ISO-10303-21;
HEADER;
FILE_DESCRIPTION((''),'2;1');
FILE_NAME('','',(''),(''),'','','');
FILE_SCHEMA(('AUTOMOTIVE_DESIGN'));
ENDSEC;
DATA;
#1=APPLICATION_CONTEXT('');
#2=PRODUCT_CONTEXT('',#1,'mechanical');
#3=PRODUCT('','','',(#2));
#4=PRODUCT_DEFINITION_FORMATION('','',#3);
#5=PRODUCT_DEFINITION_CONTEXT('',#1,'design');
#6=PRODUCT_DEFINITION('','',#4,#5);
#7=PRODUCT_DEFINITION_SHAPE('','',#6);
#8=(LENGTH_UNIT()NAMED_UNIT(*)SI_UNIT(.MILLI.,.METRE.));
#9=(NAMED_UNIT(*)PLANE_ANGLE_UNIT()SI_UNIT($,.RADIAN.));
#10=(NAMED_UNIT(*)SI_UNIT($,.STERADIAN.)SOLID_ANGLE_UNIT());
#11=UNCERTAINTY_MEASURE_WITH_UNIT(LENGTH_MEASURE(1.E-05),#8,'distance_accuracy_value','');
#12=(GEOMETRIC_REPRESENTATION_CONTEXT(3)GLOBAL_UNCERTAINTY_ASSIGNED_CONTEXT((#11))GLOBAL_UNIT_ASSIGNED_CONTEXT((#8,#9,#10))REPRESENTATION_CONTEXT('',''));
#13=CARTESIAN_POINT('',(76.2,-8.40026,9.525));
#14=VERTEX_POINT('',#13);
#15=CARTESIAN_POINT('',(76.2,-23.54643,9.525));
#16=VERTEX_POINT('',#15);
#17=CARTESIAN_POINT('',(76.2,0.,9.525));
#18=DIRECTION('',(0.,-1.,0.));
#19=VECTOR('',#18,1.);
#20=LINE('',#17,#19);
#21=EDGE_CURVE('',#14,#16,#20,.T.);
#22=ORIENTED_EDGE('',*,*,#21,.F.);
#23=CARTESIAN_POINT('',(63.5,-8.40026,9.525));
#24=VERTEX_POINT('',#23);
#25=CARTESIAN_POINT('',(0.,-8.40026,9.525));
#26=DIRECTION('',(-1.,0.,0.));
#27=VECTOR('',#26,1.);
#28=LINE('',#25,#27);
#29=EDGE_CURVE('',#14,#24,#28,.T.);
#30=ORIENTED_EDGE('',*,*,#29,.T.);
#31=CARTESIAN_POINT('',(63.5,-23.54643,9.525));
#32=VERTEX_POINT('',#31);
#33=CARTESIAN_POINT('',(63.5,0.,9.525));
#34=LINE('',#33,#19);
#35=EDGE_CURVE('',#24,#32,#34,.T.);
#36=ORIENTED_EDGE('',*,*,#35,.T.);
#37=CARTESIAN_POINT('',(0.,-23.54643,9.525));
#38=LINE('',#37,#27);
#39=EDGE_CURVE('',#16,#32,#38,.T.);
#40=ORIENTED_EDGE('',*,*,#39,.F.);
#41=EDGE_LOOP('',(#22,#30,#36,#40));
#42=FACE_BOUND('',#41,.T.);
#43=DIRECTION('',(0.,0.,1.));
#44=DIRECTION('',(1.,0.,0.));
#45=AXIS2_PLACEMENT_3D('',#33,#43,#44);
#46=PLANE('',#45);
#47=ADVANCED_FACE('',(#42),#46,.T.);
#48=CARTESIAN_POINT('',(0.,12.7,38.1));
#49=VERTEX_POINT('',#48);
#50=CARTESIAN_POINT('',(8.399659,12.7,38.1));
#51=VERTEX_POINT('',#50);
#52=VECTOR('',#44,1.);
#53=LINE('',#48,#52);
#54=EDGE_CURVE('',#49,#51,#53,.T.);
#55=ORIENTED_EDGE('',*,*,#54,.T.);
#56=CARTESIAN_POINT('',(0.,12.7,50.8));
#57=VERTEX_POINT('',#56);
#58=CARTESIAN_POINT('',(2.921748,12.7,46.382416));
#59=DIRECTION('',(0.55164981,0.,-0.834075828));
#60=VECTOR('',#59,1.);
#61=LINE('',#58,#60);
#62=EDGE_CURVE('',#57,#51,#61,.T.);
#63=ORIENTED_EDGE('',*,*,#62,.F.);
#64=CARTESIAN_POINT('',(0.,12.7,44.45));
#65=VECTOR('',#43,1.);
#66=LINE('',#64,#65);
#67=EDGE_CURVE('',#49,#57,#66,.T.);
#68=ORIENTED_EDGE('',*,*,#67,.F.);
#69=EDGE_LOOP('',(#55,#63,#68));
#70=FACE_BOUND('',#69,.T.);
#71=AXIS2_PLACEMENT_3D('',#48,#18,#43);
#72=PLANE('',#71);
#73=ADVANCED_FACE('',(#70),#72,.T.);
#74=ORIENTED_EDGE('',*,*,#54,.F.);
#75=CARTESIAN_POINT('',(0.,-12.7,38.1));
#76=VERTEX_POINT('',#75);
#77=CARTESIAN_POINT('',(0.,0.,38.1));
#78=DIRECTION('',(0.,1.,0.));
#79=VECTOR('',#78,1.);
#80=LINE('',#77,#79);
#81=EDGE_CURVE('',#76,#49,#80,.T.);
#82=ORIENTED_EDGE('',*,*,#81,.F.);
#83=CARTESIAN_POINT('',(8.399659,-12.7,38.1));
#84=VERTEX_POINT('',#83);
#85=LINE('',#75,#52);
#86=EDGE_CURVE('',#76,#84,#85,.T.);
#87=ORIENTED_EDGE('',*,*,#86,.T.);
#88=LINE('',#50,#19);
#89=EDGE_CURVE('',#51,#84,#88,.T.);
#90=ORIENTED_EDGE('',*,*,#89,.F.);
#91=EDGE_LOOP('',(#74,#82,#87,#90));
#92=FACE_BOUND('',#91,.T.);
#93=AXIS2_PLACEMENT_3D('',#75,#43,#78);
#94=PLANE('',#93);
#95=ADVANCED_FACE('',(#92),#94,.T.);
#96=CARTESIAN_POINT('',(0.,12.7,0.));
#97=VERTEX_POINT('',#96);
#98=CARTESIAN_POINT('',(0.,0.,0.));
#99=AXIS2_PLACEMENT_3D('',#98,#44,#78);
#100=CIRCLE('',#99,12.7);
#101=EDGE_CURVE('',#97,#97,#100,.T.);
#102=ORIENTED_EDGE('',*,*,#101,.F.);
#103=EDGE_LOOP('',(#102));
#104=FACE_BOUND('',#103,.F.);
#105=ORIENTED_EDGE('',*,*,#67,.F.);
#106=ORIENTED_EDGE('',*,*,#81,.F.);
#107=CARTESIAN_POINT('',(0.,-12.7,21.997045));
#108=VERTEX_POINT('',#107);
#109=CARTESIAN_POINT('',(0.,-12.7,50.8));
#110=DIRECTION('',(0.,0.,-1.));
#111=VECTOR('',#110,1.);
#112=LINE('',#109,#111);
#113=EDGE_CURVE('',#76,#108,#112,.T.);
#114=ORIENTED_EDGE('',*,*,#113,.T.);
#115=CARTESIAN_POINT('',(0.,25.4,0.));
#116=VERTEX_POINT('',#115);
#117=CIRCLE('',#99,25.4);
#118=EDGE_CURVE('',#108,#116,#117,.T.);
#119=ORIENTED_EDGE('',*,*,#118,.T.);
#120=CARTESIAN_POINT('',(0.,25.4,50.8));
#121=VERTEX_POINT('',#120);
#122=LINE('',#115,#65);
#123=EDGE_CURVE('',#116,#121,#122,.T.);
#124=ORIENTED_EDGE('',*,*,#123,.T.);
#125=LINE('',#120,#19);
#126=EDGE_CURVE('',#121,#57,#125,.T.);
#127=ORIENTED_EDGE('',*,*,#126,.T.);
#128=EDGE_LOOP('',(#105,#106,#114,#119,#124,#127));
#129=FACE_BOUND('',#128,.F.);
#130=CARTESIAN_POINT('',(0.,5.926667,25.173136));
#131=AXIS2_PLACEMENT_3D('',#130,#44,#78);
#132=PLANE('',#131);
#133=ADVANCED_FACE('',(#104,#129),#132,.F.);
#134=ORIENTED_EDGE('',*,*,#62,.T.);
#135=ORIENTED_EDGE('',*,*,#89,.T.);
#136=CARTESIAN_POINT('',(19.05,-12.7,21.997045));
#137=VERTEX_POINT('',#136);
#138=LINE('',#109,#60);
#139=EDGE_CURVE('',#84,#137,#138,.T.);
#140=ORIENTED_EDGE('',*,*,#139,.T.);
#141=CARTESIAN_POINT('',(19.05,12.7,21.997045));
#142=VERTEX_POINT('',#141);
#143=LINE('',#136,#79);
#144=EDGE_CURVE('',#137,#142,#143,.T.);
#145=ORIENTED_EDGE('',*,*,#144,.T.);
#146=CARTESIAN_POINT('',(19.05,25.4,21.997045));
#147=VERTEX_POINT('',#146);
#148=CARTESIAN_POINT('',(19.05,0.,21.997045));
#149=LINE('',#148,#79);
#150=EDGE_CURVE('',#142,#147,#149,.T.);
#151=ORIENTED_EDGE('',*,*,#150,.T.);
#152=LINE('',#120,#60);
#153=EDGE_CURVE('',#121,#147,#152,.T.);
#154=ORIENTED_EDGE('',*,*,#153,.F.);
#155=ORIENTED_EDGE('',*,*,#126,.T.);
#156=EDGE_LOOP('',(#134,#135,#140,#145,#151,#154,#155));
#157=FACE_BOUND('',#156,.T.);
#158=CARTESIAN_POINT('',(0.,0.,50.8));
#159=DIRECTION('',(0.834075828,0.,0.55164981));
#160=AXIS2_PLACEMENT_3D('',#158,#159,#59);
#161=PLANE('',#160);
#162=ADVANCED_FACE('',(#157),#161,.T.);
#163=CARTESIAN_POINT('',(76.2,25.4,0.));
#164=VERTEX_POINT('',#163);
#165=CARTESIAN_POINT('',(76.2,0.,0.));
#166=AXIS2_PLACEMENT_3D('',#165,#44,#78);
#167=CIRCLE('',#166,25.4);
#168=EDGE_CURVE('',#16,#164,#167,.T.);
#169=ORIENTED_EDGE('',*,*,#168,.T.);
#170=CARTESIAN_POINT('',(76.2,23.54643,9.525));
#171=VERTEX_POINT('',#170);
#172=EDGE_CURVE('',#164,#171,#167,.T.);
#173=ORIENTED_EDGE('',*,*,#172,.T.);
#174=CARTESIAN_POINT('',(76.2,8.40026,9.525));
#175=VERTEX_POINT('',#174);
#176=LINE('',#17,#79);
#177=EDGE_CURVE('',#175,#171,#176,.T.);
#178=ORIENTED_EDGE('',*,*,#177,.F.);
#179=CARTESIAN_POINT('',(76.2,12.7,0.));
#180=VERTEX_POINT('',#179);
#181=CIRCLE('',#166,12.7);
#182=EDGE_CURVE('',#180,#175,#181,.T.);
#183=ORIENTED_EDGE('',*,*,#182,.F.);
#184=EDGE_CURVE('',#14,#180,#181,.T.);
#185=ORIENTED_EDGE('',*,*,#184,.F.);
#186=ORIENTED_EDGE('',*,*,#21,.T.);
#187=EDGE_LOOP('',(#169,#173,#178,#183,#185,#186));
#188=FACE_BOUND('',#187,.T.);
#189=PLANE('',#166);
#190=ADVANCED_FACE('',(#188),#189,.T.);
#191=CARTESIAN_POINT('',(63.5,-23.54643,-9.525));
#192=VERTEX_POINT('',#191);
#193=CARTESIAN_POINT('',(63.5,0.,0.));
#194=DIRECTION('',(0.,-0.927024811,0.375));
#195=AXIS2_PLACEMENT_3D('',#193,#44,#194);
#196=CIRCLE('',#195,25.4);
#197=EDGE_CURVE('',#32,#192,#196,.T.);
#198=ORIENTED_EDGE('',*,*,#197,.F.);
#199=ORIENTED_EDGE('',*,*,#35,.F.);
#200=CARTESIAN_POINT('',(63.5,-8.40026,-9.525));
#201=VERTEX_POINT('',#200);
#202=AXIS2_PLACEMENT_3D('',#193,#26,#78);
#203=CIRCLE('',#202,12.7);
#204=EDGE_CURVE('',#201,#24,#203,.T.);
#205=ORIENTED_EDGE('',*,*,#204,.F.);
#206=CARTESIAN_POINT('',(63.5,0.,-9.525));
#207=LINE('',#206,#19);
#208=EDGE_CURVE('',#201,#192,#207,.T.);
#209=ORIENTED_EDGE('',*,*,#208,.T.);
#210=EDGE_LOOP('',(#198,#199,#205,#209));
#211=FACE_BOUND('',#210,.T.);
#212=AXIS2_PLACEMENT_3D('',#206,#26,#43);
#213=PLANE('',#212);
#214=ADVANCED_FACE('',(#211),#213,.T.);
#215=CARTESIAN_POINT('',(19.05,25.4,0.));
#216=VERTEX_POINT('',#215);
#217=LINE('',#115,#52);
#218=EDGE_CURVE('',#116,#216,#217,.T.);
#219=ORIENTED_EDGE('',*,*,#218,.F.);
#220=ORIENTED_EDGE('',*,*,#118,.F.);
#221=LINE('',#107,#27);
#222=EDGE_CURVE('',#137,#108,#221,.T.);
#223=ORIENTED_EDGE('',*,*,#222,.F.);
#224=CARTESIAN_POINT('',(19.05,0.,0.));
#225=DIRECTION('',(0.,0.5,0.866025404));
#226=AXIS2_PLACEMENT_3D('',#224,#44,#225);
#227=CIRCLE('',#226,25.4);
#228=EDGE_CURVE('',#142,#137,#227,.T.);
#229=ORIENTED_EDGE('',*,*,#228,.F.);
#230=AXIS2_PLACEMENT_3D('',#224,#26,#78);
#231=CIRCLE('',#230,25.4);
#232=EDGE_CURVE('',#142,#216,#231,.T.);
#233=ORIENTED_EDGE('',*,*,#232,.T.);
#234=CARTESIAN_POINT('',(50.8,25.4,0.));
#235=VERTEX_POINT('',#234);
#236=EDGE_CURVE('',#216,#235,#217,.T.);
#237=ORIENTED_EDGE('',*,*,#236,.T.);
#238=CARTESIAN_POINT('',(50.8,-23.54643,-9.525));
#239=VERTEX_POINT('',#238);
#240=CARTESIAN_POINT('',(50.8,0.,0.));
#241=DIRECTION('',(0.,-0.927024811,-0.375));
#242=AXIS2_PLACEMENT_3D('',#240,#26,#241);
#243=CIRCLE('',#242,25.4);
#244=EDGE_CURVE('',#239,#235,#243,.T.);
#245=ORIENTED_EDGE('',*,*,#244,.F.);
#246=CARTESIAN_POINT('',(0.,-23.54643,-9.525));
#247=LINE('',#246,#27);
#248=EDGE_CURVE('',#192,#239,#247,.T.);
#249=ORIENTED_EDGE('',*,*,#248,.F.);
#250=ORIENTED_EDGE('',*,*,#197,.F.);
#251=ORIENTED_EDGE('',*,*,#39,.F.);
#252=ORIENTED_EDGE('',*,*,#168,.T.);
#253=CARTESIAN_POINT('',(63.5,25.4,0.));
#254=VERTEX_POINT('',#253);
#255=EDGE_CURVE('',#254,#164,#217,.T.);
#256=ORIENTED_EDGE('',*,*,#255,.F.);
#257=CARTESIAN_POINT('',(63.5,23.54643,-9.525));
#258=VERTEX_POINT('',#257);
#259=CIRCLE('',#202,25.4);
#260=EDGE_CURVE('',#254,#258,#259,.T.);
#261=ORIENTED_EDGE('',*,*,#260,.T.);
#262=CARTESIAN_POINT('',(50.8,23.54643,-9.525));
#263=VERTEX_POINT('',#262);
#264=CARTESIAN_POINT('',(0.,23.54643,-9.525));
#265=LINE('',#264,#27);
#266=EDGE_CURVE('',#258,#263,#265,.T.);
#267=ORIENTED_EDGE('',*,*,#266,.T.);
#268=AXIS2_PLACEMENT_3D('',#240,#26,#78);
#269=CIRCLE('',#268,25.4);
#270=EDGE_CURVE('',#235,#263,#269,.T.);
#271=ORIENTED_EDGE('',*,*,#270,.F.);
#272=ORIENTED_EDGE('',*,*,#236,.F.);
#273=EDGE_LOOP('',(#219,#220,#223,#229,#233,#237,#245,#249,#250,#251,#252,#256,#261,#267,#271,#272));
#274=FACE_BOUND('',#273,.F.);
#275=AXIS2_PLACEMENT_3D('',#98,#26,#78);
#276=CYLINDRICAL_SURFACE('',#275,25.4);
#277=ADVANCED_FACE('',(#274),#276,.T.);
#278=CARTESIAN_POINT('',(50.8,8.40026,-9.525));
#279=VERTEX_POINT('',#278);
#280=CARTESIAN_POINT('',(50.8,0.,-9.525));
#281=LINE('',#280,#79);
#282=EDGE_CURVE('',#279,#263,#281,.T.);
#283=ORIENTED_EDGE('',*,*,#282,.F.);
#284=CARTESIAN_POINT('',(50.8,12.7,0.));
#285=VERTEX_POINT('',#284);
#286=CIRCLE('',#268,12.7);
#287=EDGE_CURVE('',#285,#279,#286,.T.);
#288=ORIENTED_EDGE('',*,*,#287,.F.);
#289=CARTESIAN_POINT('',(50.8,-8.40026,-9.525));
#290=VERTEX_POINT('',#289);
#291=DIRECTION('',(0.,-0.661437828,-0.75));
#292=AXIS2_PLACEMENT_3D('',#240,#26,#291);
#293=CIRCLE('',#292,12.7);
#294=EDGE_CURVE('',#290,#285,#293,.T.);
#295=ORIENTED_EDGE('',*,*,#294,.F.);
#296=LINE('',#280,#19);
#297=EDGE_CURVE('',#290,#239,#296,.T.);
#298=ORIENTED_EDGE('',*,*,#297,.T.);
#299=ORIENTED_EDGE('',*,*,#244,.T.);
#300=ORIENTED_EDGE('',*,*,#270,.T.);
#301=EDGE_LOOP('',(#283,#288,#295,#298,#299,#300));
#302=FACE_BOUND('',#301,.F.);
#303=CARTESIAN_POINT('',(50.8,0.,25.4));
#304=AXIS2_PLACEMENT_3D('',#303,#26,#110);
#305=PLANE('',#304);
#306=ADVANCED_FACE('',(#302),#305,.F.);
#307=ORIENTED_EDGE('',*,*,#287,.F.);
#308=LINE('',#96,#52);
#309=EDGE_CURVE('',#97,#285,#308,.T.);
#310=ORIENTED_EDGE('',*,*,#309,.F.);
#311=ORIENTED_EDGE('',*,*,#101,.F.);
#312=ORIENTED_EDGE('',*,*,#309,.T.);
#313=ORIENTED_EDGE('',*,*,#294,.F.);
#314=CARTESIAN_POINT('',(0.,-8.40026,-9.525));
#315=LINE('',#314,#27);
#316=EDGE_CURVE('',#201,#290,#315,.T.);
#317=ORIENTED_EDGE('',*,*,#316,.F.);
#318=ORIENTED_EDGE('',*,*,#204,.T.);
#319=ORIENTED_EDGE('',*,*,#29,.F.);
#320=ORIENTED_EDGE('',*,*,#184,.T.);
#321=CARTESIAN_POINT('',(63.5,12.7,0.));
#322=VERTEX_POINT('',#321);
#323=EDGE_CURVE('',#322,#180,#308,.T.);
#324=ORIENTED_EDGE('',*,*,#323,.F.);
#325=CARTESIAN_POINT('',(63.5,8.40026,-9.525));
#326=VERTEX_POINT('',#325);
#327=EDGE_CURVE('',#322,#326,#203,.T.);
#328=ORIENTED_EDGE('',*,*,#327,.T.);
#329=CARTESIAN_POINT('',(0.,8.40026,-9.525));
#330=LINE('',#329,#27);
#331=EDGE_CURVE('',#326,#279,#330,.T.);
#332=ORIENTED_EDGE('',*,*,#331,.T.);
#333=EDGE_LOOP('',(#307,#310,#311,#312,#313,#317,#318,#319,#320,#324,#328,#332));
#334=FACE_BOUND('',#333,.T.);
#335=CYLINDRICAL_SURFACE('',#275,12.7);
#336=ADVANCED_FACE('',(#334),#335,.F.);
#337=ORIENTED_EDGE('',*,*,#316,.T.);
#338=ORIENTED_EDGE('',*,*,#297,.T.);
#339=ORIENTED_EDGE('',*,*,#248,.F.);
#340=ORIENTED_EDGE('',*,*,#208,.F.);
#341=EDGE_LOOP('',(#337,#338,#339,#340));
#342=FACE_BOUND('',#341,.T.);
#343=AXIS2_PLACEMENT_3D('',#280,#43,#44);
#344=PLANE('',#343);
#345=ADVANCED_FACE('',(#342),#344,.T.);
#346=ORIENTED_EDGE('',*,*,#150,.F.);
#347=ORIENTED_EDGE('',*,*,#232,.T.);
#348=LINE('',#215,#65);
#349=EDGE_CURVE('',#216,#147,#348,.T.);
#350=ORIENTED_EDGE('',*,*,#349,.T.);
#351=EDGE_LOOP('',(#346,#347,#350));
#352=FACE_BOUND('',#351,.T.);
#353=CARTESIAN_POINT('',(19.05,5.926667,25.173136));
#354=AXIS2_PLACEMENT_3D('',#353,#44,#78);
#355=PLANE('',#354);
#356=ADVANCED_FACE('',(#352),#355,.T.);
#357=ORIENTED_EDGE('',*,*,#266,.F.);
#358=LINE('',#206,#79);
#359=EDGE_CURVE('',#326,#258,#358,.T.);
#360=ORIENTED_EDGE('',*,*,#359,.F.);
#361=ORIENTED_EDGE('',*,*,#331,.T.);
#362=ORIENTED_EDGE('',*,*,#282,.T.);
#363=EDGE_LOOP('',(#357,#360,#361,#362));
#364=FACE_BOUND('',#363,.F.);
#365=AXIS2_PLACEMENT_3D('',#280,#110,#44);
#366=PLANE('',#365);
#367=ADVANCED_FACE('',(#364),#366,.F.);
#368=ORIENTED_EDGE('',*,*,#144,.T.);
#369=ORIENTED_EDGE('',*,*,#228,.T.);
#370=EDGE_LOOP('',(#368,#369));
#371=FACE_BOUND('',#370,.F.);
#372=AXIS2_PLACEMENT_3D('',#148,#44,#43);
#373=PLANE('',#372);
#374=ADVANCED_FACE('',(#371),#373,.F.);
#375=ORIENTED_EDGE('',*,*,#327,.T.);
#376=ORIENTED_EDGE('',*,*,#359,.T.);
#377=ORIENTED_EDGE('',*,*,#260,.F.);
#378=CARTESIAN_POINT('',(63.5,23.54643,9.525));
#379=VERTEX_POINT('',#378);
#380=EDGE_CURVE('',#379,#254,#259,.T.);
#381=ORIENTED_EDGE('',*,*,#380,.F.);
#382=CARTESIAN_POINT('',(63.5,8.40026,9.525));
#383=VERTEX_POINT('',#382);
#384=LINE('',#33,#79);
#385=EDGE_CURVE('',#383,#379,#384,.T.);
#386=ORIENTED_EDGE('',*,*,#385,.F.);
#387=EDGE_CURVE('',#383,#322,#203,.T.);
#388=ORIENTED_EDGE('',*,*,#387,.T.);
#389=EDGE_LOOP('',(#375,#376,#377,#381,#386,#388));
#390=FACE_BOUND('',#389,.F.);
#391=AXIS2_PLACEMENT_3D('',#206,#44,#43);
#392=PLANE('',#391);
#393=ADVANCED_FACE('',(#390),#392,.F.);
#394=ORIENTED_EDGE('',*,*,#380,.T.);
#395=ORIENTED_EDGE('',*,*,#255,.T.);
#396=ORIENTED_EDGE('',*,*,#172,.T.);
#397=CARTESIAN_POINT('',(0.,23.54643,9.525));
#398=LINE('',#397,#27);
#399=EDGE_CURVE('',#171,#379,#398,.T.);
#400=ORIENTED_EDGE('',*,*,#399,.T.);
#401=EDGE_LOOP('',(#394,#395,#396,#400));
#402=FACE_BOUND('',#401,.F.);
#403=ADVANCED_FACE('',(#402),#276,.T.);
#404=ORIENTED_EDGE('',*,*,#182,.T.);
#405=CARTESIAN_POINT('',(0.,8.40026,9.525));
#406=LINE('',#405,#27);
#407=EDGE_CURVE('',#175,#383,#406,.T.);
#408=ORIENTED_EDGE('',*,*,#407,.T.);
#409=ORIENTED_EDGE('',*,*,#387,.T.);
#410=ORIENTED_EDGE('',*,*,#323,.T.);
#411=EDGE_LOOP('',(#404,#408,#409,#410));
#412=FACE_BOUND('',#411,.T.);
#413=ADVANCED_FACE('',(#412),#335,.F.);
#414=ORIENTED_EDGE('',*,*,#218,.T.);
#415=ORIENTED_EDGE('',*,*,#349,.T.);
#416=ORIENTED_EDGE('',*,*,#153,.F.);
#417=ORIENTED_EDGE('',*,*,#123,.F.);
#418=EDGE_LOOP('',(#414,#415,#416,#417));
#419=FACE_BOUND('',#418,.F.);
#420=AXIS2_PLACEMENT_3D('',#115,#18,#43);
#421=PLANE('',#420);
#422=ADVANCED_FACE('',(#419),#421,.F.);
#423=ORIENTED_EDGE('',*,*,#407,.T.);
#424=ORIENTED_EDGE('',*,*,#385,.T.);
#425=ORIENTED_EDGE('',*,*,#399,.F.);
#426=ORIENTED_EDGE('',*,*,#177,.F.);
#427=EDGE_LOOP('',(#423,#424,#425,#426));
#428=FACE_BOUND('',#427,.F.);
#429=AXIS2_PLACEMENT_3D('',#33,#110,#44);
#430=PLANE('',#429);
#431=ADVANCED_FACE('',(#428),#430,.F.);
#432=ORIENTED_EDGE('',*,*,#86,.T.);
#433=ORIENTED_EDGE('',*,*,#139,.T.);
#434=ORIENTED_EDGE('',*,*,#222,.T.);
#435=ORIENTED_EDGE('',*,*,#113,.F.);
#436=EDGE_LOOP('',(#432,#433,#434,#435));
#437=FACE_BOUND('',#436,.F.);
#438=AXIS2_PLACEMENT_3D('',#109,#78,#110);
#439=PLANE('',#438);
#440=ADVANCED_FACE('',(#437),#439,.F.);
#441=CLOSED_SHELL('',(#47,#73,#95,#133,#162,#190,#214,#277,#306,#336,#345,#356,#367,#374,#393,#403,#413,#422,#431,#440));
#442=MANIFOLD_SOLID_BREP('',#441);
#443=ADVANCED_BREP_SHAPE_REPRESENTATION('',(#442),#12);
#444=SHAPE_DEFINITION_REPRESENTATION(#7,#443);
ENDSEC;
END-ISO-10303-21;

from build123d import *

# Parameters (mm, degrees)
F0_R          = 25.4
F0_R_2        = 12.7
F1_DEPTH      = 76.2
F3_DEPTH      = 25.4
F3_DEPTH_BACK = 25.4
F5_DEPTH      = 19.05
F6_W          = 25.4
F6_H          = 12.7
F7_DEPTH      = 25.4
F9_DEPTH      = 25.401
F9_DEPTH_BACK = 25.4


with BuildPart() as f1:
    # F0 (on Right) → F1 (new body)
    with BuildSketch(Plane.YZ):
        Circle(F0_R)
        Circle(F0_R_2, mode=Mode.SUBTRACT)
    extrude(amount=F1_DEPTH)

    # F2 (on Front) → F3 (cut, two sides)
    with BuildSketch(Plane.XZ) as f3_sk:
        Polygon((76.2, 25.4), (50.8, 25.4), (50.8, -9.525), (63.5, -9.525), (63.5, 9.525), (76.2, 9.525), align=None)
    extrude(amount=-F3_DEPTH, mode=Mode.SUBTRACT)
    extrude(f3_sk.sketch, amount=F3_DEPTH_BACK, mode=Mode.SUBTRACT)

    # F4 (on Right) → F5 (join)
    with BuildSketch(Plane.YZ):
        with BuildLine():
            Line((-12.7, 50.8), (-12.7, 0))
            ThreePointArc((-12.7, 0), (0, 12.7), (12.7, 0))
            Line((12.7, 0), (25.4, 0))
            Line((25.4, 0), (25.4, 50.8))
            Line((25.4, 50.8), (-12.7, 50.8))
        make_face()
    extrude(amount=F5_DEPTH)

    # F6 (on Right) → F7 (cut)
    with BuildSketch(Plane.YZ):
        with Locations((0, 44.45)):
            Rectangle(F6_W, F6_H)
    extrude(amount=F7_DEPTH, mode=Mode.SUBTRACT)

    # F8 (on Front) → F9 (cut, two sides)
    with BuildSketch(Plane.XZ) as f9_sk:
        Polygon((19.05, 50.8), (0, 50.8), (19.05, 21.9970452561), align=None)
    extrude(amount=F9_DEPTH, mode=Mode.SUBTRACT)
    extrude(f9_sk.sketch, amount=-F9_DEPTH_BACK, mode=Mode.SUBTRACT)


solid = f1.part
